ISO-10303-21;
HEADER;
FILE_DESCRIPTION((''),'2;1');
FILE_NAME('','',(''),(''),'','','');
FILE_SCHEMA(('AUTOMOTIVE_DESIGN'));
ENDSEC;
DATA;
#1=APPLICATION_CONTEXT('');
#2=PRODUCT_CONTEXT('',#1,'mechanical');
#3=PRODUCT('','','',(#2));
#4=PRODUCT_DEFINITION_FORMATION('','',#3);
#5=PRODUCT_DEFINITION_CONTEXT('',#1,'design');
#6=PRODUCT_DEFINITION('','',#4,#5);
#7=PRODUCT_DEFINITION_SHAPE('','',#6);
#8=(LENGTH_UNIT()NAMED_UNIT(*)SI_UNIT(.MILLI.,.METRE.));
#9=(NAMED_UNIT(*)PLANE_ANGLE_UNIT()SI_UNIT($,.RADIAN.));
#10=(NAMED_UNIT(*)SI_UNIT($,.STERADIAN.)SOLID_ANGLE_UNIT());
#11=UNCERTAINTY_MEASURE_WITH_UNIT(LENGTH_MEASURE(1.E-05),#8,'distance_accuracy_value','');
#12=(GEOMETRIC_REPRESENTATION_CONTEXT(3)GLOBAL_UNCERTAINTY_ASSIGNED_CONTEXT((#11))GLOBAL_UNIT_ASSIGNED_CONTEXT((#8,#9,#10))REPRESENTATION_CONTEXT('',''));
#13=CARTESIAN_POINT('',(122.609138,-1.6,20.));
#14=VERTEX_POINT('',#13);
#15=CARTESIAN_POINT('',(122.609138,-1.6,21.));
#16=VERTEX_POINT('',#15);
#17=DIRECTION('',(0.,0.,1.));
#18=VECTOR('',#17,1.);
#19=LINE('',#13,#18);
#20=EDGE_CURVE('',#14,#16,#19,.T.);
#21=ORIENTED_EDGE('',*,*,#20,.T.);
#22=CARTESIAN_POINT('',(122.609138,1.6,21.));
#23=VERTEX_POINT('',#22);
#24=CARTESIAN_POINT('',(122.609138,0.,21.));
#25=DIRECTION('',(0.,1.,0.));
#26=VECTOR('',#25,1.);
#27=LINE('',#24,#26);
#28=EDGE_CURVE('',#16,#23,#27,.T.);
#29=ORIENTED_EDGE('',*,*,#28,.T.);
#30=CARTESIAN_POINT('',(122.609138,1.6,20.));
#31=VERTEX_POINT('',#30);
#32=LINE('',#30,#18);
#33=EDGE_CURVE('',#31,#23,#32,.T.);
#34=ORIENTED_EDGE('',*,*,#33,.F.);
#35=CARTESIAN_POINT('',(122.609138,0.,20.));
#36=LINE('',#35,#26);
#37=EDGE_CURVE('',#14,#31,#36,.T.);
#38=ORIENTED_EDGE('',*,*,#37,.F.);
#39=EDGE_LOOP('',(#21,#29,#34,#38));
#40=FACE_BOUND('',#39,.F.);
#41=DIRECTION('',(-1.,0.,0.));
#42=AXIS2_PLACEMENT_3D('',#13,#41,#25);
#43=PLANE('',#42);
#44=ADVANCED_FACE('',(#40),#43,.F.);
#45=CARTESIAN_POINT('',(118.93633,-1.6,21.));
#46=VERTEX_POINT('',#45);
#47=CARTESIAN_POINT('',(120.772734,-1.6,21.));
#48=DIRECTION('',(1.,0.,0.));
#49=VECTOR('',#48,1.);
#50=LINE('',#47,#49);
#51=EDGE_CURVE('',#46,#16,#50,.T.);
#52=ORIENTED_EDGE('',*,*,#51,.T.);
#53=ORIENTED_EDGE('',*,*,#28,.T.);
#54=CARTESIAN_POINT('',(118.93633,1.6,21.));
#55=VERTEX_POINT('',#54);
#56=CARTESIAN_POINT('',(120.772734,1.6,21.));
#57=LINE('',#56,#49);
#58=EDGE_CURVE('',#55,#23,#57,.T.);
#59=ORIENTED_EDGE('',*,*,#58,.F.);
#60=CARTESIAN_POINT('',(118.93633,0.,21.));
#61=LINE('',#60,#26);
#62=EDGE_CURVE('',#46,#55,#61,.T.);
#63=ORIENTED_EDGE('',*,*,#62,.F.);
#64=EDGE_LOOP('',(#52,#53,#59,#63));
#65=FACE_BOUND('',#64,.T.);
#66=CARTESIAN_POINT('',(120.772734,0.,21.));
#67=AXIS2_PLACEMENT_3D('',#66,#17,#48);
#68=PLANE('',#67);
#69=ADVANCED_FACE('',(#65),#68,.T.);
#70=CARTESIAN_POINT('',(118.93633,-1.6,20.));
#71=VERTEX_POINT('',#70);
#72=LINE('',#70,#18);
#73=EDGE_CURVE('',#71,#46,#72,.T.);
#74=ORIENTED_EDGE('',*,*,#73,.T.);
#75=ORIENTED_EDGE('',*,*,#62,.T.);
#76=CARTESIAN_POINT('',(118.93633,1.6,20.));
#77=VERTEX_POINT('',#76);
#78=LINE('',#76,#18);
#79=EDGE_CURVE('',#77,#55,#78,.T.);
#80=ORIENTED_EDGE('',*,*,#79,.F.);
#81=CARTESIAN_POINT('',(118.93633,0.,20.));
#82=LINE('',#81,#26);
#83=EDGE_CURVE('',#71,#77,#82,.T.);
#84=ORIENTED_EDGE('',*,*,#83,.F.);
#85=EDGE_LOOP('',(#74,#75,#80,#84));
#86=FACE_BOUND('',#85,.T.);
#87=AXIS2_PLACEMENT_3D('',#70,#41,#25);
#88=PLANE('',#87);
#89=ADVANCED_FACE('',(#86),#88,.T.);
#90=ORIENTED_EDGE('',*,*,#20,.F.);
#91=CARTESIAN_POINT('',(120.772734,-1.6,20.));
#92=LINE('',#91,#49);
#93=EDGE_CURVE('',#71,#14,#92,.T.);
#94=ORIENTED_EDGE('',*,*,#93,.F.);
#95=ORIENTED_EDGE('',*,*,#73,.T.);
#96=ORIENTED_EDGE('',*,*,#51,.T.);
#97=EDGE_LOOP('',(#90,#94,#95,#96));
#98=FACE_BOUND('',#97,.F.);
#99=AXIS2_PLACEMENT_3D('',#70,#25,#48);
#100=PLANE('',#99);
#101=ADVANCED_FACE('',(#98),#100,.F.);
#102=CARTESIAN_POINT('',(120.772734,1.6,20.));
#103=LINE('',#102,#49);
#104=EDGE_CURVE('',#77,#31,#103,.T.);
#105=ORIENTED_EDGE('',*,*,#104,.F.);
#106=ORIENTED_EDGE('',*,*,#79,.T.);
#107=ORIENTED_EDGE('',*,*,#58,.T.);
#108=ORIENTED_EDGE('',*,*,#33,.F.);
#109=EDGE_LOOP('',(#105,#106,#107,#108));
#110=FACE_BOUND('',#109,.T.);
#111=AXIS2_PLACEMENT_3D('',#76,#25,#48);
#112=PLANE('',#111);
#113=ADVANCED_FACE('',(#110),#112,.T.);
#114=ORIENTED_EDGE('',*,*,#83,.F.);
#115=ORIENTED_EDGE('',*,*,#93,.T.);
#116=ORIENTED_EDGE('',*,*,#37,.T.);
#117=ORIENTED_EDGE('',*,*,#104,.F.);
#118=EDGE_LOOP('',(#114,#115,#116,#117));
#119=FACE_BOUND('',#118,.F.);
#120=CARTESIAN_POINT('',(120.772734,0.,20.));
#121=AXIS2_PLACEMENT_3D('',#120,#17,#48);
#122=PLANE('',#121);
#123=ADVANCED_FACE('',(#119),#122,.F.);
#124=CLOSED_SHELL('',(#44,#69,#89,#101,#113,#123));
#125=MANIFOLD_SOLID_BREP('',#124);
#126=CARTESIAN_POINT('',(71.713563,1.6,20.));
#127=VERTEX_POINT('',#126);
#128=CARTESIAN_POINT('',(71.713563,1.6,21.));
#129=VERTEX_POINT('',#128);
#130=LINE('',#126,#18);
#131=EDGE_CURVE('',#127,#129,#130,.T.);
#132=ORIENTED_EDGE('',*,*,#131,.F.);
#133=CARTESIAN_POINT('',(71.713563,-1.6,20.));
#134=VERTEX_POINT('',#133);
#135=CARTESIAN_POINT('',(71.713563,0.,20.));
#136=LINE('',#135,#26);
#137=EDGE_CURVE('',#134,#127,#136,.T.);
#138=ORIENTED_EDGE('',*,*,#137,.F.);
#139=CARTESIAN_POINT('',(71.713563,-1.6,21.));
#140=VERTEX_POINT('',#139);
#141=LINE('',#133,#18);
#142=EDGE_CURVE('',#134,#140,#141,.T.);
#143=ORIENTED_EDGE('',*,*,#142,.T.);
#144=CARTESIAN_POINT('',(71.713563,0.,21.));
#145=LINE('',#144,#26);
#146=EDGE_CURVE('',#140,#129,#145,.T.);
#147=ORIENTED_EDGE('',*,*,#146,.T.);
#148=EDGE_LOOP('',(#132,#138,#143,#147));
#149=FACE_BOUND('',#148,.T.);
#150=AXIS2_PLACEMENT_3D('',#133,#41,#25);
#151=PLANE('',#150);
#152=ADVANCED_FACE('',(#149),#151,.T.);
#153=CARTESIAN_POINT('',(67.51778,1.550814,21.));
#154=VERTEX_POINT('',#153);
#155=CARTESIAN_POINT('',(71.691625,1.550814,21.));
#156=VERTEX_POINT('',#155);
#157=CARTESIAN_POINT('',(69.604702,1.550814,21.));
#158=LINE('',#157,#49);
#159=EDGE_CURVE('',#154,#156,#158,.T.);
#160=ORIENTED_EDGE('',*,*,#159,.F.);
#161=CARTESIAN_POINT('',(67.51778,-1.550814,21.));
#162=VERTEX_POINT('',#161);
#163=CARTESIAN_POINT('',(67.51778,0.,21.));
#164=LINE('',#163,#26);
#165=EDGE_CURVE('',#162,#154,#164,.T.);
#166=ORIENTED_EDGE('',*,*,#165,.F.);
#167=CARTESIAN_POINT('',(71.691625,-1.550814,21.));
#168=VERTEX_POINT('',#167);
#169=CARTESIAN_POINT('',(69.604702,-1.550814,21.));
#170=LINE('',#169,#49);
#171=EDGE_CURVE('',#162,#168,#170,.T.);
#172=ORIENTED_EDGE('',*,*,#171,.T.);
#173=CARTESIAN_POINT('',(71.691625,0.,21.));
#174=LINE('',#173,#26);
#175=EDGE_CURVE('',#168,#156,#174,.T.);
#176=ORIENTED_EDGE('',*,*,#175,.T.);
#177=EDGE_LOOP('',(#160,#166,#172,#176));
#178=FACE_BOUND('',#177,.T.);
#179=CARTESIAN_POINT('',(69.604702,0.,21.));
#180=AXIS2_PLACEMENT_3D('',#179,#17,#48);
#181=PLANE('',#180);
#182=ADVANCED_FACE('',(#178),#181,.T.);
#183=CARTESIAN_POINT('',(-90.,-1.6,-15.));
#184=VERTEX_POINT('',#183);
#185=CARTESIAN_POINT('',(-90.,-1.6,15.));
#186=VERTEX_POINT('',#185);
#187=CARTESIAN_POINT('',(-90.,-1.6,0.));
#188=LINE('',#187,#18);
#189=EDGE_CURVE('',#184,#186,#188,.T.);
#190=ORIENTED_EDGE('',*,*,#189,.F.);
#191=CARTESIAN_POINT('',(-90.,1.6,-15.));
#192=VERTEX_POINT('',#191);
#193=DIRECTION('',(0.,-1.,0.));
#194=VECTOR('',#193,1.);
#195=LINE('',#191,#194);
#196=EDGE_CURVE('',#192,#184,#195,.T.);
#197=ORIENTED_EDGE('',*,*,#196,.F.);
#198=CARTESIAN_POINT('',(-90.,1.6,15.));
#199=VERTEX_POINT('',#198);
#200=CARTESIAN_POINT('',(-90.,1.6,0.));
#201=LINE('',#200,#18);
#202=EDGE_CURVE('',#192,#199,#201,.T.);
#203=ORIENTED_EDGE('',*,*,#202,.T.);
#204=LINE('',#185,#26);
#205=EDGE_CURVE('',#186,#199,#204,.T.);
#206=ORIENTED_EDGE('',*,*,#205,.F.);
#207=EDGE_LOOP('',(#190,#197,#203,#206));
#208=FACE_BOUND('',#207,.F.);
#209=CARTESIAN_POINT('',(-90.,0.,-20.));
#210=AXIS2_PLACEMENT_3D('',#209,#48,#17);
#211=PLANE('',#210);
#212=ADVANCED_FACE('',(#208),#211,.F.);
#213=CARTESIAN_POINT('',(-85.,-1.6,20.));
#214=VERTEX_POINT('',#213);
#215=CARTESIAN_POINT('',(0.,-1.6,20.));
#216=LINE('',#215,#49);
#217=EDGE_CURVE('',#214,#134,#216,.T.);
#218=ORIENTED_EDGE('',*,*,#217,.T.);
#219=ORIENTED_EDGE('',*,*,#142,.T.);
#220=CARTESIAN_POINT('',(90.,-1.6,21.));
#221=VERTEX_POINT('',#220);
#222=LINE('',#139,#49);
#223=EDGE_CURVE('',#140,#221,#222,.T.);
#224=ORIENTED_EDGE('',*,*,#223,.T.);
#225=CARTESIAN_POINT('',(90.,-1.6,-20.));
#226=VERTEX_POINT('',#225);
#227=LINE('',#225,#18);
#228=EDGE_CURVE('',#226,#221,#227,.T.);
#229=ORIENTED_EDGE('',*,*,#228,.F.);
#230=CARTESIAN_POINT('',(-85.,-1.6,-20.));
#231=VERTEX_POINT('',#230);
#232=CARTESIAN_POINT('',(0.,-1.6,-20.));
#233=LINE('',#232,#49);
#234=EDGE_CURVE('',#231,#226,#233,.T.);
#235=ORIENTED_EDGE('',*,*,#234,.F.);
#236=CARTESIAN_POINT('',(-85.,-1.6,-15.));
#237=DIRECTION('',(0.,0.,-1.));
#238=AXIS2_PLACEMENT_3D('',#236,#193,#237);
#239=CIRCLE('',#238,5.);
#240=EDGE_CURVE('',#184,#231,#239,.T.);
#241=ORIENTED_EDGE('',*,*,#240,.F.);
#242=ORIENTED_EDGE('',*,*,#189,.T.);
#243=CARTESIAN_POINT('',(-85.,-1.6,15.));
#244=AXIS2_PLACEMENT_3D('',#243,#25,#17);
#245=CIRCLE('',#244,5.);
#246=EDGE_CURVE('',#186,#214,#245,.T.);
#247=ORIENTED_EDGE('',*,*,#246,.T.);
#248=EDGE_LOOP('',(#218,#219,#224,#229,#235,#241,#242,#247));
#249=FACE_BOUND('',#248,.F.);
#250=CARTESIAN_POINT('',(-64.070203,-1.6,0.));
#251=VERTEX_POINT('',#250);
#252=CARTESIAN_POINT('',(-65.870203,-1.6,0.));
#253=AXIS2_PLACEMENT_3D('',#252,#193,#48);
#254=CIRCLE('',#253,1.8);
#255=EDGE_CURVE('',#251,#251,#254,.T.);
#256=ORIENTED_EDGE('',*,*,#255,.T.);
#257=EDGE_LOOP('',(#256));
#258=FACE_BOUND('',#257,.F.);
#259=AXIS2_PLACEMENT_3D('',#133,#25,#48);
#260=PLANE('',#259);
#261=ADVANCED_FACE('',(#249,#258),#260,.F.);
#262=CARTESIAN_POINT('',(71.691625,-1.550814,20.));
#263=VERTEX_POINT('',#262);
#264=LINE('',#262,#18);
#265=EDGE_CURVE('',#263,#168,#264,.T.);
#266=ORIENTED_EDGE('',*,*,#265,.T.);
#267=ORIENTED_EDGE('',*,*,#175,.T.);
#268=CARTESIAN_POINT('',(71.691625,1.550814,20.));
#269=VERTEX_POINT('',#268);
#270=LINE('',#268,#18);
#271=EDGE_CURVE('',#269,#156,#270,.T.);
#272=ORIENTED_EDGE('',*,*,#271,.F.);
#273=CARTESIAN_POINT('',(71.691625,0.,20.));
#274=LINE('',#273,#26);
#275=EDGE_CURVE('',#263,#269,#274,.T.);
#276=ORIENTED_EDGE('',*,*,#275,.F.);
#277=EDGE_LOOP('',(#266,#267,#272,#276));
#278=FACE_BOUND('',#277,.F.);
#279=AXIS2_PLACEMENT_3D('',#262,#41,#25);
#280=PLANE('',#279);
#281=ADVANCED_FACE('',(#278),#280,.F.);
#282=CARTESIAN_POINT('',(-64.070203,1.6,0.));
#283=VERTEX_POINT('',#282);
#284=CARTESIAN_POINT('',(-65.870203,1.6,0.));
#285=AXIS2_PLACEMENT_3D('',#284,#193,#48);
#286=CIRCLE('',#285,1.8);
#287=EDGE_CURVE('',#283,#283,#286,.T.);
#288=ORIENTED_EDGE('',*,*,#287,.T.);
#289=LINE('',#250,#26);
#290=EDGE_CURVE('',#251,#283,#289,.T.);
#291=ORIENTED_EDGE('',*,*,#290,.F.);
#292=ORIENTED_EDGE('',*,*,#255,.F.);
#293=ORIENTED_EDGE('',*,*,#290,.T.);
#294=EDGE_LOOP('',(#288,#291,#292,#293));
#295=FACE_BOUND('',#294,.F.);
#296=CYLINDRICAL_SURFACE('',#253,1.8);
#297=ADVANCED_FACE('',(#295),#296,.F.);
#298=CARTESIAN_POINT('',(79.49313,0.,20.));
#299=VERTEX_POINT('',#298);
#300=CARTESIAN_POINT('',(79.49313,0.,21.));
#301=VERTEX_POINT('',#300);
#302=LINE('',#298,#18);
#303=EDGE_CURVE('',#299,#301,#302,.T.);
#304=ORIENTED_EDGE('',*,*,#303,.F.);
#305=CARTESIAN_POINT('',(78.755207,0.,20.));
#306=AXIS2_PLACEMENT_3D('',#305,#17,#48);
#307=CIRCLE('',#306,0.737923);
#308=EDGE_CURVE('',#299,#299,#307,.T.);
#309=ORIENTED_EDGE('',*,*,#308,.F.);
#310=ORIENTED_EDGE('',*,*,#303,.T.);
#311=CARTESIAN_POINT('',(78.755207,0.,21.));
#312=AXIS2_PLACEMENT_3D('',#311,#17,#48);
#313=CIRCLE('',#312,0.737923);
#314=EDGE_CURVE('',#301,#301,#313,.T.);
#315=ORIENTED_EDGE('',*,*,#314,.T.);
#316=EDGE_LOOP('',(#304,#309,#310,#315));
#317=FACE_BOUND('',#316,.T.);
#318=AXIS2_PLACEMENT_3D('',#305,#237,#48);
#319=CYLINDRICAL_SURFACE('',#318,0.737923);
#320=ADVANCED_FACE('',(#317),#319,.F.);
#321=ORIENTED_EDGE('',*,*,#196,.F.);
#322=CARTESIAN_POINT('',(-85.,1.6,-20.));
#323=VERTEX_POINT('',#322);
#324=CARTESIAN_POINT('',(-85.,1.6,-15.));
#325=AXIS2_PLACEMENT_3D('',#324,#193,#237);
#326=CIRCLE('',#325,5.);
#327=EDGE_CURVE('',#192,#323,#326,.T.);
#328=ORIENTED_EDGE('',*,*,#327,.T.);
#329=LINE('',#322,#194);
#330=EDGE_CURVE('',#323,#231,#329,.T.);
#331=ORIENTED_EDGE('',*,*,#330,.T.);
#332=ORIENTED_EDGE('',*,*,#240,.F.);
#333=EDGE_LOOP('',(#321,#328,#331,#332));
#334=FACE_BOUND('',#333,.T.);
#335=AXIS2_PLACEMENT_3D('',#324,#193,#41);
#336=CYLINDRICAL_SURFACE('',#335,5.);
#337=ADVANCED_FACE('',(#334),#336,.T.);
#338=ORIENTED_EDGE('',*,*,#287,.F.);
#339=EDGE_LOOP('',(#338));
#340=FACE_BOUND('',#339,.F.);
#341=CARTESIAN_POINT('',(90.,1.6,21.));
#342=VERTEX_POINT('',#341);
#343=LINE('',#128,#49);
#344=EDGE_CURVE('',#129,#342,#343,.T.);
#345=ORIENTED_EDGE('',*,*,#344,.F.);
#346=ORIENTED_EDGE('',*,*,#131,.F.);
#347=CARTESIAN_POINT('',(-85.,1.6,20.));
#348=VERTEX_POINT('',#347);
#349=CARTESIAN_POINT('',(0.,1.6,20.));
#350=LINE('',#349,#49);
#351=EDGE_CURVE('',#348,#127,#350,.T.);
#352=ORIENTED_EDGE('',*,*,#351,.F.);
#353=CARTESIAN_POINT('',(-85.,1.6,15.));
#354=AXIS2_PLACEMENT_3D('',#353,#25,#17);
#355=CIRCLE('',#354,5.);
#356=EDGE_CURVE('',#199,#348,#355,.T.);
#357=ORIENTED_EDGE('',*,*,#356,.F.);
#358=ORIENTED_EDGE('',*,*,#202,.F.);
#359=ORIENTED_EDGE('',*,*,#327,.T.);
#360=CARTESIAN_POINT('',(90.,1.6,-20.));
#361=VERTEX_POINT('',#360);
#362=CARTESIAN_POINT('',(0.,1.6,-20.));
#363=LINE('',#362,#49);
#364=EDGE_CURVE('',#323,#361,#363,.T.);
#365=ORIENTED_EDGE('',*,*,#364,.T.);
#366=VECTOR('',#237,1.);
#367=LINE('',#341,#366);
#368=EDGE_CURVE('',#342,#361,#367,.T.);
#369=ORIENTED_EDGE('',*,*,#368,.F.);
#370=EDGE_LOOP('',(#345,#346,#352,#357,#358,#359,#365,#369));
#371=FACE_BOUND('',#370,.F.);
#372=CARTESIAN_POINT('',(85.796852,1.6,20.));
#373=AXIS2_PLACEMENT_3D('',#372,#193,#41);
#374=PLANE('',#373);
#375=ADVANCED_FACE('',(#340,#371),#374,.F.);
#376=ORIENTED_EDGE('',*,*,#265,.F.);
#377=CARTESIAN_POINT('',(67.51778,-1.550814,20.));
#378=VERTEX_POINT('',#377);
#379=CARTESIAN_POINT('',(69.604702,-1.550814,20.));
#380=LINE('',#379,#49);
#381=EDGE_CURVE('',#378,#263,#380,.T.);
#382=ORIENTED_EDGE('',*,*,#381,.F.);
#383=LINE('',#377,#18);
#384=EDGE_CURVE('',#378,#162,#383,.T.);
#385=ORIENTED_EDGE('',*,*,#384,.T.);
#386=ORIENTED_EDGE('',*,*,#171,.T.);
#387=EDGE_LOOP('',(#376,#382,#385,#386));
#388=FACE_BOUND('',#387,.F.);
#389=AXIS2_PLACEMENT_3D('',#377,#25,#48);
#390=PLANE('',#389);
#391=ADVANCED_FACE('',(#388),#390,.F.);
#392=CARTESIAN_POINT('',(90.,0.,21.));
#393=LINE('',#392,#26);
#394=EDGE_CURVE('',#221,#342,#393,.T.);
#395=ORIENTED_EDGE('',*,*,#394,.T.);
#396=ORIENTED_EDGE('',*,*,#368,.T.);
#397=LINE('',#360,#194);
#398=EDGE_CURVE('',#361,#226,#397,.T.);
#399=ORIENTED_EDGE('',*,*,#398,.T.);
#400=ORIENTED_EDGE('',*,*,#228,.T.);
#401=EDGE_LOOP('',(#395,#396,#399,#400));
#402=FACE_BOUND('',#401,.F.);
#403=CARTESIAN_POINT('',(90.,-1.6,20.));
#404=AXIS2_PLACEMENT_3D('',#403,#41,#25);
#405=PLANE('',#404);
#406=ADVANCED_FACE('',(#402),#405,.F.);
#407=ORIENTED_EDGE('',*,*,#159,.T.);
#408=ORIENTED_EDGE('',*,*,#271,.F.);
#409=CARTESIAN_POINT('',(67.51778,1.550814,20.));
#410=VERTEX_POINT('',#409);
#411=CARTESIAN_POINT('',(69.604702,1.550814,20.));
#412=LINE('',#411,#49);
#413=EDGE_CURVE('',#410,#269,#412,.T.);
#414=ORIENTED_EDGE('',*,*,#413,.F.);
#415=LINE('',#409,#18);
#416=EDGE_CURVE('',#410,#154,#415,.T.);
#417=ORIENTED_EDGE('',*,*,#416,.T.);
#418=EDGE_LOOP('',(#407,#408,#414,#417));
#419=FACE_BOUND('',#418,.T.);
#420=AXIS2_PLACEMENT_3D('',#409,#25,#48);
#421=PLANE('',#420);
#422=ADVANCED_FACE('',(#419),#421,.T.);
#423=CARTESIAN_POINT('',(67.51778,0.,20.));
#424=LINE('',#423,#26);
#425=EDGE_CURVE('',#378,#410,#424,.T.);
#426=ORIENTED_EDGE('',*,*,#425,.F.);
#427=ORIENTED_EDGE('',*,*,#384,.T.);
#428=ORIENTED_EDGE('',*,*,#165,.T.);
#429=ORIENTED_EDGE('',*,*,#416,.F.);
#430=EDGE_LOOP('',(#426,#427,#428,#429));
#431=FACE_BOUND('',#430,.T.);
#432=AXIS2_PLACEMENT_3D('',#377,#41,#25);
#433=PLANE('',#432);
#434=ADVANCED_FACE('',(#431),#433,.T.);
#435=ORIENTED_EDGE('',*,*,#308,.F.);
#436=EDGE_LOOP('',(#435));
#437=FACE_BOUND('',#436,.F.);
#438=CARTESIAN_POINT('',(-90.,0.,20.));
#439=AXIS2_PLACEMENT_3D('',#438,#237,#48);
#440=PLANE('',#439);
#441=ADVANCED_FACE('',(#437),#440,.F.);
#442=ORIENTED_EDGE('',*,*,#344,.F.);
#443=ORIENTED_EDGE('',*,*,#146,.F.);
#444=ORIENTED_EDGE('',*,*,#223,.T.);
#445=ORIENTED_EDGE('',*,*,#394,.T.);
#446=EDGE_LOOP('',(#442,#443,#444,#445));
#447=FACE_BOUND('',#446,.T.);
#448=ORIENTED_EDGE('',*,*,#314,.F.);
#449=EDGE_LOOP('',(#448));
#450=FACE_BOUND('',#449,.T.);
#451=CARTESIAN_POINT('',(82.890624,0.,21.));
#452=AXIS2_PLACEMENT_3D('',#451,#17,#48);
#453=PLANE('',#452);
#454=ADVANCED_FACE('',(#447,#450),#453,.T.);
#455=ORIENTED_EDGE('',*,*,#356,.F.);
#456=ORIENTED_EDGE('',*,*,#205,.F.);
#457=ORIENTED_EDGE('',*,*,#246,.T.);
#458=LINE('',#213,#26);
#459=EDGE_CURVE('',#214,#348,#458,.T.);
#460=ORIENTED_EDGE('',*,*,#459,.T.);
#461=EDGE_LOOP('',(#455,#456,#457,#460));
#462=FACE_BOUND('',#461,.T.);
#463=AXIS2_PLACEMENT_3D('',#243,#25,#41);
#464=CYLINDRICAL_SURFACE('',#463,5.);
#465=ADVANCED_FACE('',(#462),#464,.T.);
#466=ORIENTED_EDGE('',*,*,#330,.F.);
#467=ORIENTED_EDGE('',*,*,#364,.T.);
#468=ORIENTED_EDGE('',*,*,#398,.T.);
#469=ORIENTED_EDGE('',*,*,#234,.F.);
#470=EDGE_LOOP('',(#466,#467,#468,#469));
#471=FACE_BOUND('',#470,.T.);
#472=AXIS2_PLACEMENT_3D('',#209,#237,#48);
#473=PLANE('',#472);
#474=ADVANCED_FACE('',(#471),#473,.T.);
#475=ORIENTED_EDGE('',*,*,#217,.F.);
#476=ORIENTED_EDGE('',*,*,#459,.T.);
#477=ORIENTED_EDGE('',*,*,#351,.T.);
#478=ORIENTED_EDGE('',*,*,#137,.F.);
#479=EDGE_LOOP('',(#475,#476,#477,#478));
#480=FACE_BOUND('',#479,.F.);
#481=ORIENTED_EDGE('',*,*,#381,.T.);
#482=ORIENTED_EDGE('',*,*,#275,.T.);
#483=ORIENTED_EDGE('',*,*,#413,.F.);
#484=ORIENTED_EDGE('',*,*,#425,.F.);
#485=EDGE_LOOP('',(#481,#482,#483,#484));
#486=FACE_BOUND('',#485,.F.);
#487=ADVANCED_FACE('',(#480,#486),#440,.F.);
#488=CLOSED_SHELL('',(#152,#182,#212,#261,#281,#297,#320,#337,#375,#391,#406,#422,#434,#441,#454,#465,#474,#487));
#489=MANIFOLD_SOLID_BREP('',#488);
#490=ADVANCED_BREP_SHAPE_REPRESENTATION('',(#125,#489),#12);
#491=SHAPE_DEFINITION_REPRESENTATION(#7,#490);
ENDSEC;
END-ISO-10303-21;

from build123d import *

# Parameters (mm, degrees)
F0_W      = 180
F0_H      = 40
F1_DEPTH  = 1.6
F2_R      = 5
F3_R      = 1.8
F4_DEPTH  = 4.1
F5_W      = 3.6728084087
F5_H      = 3.2
F6_DEPTH  = 1
F7_W      = 4.2031484842
F7_H      = 3.2
F8_DEPTH  = 1
F10_W     = 4.1738450527
F10_H     = 3.1016289722
F11_DEPTH = 1
F9_W      = 5.8124548197
F9_H      = 3.2
F9_W_2    = 2.8670355678
F9_R      = 0.7379231369
F9_W_3    = 5.4037979245
F12_DEPTH = 1


with BuildPart() as f1:
    # F0 (on Front) → F1 (new body, symmetric)
    with BuildSketch(Plane.XZ):
        Rectangle(F0_W, F0_H)
    extrude(amount=F1_DEPTH, both=True)

    # F2
    f2_edges = [f1.edges().sort_by_distance(p)[0] for p in [
        (-90, 0, 20),
        (-90, 0, -20),
    ]]
    fillet(f2_edges, radius=F2_R)

    # F3 (on face) → F4 (cut)
    with BuildSketch(Plane.XZ.offset(1.6)):
        with Locations((-65.8702030778, 0)):
            Circle(F3_R)
    extrude(amount=-F4_DEPTH, mode=Mode.SUBTRACT)

    # F7 (on face) → F8 (join)
    with BuildSketch(Plane.XY.offset(20)):
        with Locations((87.8984257579, 0)):
            Rectangle(F7_W, F7_H)
    extrude(amount=F8_DEPTH)

    # F10 (on face) → F11 (join)
    with BuildSketch(Plane.XY.offset(20)):
        with Locations((69.6047022939, 0)):
            Rectangle(F10_W, F10_H)
    extrude(amount=F11_DEPTH)

    # F9 (on face) → F12 (join)
    with BuildSketch(Plane.XY.offset(20)):
        with Locations((82.8906241059, 0)):
            Rectangle(F9_W, F9_H)
        with Locations((78.5508789122, 0)):
            Rectangle(F9_W_2, F9_H)
        with Locations((78.7552073598, 0)):
            Circle(F9_R, mode=Mode.SUBTRACT)
        with Locations((74.4154621661, 0)):
            Rectangle(F9_W_3, F9_H)
    extrude(amount=F12_DEPTH)


with BuildPart() as f6:
    # F5 (on face) → F6 (new body)
    with BuildSketch(Plane.XY.offset(20)):
        with Locations((120.7727342844, 0)):
            Rectangle(F5_W, F5_H)
    extrude(amount=F6_DEPTH)


solid = Compound([f1.part, f6.part])
